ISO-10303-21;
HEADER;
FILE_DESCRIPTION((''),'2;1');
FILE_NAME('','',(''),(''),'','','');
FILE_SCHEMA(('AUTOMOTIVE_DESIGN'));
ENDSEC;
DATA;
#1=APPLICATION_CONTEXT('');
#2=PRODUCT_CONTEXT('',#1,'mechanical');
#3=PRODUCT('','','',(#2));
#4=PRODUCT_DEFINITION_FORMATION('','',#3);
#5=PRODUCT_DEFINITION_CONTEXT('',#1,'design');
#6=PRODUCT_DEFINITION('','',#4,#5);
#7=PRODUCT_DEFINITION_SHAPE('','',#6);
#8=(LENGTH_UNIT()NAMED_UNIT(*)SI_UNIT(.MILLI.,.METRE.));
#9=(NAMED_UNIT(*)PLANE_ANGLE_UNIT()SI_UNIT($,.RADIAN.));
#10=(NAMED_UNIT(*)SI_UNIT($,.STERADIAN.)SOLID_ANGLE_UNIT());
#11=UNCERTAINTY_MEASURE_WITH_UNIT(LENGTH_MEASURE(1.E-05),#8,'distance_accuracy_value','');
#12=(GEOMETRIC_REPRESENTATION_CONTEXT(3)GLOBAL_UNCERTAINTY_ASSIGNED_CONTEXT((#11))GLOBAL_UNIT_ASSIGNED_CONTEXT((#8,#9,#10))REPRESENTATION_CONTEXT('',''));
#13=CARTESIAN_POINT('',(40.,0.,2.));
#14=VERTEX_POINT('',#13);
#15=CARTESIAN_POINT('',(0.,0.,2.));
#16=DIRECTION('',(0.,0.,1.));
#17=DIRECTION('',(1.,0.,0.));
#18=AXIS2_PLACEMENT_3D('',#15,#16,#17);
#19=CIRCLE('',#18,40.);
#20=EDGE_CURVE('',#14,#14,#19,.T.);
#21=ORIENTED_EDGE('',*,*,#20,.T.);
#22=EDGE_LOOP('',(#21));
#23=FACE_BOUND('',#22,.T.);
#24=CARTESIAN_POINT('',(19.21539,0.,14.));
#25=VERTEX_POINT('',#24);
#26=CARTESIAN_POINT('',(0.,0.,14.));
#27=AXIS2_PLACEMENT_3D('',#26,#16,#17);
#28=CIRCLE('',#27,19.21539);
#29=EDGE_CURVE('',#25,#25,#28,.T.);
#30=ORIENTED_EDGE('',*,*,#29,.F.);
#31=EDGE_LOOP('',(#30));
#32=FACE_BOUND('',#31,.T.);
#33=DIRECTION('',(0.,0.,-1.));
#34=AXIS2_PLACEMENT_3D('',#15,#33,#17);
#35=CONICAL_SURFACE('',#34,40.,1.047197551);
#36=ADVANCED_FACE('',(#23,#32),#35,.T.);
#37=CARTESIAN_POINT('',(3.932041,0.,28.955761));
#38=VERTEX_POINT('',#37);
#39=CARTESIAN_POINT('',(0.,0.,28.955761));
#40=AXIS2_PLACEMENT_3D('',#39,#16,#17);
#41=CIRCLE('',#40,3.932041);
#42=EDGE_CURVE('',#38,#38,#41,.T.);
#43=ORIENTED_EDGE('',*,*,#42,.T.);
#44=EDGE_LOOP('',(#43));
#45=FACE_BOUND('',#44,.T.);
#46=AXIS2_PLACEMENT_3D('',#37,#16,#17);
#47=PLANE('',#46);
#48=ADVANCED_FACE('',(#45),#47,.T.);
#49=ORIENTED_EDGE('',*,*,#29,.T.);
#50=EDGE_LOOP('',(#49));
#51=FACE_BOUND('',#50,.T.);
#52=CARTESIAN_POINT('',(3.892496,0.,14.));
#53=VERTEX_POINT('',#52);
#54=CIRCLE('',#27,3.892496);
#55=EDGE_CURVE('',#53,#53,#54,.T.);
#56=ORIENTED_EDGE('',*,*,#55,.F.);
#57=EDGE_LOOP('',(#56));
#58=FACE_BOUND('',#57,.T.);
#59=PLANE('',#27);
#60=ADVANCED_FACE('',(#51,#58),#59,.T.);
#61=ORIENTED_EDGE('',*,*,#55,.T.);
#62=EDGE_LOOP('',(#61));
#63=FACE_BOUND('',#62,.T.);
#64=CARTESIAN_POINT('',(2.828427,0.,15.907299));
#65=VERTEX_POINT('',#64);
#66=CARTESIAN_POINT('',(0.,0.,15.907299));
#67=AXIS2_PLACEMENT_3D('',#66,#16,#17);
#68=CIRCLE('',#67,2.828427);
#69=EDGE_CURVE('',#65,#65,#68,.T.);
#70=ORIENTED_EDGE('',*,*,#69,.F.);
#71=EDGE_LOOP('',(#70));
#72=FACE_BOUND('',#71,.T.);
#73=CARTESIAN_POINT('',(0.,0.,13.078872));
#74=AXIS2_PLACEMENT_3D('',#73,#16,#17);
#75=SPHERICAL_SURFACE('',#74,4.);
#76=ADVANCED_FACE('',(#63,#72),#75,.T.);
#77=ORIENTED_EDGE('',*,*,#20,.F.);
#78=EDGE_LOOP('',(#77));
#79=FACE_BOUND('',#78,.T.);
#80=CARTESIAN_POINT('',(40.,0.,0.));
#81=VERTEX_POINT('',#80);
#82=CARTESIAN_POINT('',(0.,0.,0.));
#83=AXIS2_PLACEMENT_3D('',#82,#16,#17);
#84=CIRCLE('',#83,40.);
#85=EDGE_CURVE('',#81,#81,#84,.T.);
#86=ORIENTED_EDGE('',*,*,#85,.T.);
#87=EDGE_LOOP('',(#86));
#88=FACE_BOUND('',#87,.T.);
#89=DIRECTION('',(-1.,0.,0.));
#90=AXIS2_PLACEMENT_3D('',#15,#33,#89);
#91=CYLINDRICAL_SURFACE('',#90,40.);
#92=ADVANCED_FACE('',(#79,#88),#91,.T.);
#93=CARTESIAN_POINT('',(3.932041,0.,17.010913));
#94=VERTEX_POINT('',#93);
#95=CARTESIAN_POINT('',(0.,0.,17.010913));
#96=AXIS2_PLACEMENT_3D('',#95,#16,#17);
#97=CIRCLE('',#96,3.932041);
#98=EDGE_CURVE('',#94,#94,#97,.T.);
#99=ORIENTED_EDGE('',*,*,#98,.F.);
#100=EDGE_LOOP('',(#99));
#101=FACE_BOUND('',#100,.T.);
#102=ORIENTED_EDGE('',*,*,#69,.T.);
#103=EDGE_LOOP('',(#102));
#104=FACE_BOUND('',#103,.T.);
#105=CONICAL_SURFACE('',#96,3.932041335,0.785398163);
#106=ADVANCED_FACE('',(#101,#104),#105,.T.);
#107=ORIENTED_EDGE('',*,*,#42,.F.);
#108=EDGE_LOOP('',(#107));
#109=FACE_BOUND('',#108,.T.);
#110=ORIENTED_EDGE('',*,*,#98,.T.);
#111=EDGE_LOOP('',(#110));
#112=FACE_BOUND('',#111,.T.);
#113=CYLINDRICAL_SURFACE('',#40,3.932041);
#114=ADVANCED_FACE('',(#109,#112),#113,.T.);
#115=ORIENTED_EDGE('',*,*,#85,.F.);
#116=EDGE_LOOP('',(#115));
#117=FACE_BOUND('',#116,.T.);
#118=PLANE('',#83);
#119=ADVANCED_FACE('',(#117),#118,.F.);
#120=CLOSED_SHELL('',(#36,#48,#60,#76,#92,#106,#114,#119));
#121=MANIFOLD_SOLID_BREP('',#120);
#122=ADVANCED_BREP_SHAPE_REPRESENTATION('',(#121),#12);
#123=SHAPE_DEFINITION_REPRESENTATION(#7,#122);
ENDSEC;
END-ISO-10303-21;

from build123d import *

# Parameters (mm, degrees)
ESQUISSE1_R        = 40
BOSS_EXTRU_1_DEPTH = 2
ESQUISSE2_R        = 40
BOSS_EXTRU_2_DEPTH = 12
BOSS_EXTRU_2_TAPER = 60


with BuildPart() as part:
    # Esquisse1 → Boss.-Extru.1 (new body)
    with BuildSketch(Plane.XY):
        Circle(ESQUISSE1_R)
    extrude(amount=BOSS_EXTRU_1_DEPTH)

    # Esquisse2 → Boss.-Extru.2 (add)
    with BuildSketch(Plane.XY.offset(2)):
        Circle(ESQUISSE2_R)
    extrude(amount=BOSS_EXTRU_2_DEPTH, taper=BOSS_EXTRU_2_TAPER)

    # Esquisse3 → Révolution1 (revolve)
    with BuildSketch(Plane(origin=(0, 0, 0), x_dir=(1, 0, 0), z_dir=(0, 1, 0))):
        with BuildLine():
            Line((2.828427125, -15.907299026), (3.932041335, -17.010913236))
            Line((3.932041335, -17.010913236), (3.932041335, -28.955760853))
            Line((3.932041335, -28.955760853), (0, -28.955760853))
            Line((0, -28.955760853), (0, -9.078871902))
            ThreePointArc((0, -9.078871902), (3.69551813, -11.548138172), (2.828427125, -15.907299026))
        make_face()
    revolve(axis=Axis((0, 0, 28.955760853), (0, 0, -1)))


solid = part.part
